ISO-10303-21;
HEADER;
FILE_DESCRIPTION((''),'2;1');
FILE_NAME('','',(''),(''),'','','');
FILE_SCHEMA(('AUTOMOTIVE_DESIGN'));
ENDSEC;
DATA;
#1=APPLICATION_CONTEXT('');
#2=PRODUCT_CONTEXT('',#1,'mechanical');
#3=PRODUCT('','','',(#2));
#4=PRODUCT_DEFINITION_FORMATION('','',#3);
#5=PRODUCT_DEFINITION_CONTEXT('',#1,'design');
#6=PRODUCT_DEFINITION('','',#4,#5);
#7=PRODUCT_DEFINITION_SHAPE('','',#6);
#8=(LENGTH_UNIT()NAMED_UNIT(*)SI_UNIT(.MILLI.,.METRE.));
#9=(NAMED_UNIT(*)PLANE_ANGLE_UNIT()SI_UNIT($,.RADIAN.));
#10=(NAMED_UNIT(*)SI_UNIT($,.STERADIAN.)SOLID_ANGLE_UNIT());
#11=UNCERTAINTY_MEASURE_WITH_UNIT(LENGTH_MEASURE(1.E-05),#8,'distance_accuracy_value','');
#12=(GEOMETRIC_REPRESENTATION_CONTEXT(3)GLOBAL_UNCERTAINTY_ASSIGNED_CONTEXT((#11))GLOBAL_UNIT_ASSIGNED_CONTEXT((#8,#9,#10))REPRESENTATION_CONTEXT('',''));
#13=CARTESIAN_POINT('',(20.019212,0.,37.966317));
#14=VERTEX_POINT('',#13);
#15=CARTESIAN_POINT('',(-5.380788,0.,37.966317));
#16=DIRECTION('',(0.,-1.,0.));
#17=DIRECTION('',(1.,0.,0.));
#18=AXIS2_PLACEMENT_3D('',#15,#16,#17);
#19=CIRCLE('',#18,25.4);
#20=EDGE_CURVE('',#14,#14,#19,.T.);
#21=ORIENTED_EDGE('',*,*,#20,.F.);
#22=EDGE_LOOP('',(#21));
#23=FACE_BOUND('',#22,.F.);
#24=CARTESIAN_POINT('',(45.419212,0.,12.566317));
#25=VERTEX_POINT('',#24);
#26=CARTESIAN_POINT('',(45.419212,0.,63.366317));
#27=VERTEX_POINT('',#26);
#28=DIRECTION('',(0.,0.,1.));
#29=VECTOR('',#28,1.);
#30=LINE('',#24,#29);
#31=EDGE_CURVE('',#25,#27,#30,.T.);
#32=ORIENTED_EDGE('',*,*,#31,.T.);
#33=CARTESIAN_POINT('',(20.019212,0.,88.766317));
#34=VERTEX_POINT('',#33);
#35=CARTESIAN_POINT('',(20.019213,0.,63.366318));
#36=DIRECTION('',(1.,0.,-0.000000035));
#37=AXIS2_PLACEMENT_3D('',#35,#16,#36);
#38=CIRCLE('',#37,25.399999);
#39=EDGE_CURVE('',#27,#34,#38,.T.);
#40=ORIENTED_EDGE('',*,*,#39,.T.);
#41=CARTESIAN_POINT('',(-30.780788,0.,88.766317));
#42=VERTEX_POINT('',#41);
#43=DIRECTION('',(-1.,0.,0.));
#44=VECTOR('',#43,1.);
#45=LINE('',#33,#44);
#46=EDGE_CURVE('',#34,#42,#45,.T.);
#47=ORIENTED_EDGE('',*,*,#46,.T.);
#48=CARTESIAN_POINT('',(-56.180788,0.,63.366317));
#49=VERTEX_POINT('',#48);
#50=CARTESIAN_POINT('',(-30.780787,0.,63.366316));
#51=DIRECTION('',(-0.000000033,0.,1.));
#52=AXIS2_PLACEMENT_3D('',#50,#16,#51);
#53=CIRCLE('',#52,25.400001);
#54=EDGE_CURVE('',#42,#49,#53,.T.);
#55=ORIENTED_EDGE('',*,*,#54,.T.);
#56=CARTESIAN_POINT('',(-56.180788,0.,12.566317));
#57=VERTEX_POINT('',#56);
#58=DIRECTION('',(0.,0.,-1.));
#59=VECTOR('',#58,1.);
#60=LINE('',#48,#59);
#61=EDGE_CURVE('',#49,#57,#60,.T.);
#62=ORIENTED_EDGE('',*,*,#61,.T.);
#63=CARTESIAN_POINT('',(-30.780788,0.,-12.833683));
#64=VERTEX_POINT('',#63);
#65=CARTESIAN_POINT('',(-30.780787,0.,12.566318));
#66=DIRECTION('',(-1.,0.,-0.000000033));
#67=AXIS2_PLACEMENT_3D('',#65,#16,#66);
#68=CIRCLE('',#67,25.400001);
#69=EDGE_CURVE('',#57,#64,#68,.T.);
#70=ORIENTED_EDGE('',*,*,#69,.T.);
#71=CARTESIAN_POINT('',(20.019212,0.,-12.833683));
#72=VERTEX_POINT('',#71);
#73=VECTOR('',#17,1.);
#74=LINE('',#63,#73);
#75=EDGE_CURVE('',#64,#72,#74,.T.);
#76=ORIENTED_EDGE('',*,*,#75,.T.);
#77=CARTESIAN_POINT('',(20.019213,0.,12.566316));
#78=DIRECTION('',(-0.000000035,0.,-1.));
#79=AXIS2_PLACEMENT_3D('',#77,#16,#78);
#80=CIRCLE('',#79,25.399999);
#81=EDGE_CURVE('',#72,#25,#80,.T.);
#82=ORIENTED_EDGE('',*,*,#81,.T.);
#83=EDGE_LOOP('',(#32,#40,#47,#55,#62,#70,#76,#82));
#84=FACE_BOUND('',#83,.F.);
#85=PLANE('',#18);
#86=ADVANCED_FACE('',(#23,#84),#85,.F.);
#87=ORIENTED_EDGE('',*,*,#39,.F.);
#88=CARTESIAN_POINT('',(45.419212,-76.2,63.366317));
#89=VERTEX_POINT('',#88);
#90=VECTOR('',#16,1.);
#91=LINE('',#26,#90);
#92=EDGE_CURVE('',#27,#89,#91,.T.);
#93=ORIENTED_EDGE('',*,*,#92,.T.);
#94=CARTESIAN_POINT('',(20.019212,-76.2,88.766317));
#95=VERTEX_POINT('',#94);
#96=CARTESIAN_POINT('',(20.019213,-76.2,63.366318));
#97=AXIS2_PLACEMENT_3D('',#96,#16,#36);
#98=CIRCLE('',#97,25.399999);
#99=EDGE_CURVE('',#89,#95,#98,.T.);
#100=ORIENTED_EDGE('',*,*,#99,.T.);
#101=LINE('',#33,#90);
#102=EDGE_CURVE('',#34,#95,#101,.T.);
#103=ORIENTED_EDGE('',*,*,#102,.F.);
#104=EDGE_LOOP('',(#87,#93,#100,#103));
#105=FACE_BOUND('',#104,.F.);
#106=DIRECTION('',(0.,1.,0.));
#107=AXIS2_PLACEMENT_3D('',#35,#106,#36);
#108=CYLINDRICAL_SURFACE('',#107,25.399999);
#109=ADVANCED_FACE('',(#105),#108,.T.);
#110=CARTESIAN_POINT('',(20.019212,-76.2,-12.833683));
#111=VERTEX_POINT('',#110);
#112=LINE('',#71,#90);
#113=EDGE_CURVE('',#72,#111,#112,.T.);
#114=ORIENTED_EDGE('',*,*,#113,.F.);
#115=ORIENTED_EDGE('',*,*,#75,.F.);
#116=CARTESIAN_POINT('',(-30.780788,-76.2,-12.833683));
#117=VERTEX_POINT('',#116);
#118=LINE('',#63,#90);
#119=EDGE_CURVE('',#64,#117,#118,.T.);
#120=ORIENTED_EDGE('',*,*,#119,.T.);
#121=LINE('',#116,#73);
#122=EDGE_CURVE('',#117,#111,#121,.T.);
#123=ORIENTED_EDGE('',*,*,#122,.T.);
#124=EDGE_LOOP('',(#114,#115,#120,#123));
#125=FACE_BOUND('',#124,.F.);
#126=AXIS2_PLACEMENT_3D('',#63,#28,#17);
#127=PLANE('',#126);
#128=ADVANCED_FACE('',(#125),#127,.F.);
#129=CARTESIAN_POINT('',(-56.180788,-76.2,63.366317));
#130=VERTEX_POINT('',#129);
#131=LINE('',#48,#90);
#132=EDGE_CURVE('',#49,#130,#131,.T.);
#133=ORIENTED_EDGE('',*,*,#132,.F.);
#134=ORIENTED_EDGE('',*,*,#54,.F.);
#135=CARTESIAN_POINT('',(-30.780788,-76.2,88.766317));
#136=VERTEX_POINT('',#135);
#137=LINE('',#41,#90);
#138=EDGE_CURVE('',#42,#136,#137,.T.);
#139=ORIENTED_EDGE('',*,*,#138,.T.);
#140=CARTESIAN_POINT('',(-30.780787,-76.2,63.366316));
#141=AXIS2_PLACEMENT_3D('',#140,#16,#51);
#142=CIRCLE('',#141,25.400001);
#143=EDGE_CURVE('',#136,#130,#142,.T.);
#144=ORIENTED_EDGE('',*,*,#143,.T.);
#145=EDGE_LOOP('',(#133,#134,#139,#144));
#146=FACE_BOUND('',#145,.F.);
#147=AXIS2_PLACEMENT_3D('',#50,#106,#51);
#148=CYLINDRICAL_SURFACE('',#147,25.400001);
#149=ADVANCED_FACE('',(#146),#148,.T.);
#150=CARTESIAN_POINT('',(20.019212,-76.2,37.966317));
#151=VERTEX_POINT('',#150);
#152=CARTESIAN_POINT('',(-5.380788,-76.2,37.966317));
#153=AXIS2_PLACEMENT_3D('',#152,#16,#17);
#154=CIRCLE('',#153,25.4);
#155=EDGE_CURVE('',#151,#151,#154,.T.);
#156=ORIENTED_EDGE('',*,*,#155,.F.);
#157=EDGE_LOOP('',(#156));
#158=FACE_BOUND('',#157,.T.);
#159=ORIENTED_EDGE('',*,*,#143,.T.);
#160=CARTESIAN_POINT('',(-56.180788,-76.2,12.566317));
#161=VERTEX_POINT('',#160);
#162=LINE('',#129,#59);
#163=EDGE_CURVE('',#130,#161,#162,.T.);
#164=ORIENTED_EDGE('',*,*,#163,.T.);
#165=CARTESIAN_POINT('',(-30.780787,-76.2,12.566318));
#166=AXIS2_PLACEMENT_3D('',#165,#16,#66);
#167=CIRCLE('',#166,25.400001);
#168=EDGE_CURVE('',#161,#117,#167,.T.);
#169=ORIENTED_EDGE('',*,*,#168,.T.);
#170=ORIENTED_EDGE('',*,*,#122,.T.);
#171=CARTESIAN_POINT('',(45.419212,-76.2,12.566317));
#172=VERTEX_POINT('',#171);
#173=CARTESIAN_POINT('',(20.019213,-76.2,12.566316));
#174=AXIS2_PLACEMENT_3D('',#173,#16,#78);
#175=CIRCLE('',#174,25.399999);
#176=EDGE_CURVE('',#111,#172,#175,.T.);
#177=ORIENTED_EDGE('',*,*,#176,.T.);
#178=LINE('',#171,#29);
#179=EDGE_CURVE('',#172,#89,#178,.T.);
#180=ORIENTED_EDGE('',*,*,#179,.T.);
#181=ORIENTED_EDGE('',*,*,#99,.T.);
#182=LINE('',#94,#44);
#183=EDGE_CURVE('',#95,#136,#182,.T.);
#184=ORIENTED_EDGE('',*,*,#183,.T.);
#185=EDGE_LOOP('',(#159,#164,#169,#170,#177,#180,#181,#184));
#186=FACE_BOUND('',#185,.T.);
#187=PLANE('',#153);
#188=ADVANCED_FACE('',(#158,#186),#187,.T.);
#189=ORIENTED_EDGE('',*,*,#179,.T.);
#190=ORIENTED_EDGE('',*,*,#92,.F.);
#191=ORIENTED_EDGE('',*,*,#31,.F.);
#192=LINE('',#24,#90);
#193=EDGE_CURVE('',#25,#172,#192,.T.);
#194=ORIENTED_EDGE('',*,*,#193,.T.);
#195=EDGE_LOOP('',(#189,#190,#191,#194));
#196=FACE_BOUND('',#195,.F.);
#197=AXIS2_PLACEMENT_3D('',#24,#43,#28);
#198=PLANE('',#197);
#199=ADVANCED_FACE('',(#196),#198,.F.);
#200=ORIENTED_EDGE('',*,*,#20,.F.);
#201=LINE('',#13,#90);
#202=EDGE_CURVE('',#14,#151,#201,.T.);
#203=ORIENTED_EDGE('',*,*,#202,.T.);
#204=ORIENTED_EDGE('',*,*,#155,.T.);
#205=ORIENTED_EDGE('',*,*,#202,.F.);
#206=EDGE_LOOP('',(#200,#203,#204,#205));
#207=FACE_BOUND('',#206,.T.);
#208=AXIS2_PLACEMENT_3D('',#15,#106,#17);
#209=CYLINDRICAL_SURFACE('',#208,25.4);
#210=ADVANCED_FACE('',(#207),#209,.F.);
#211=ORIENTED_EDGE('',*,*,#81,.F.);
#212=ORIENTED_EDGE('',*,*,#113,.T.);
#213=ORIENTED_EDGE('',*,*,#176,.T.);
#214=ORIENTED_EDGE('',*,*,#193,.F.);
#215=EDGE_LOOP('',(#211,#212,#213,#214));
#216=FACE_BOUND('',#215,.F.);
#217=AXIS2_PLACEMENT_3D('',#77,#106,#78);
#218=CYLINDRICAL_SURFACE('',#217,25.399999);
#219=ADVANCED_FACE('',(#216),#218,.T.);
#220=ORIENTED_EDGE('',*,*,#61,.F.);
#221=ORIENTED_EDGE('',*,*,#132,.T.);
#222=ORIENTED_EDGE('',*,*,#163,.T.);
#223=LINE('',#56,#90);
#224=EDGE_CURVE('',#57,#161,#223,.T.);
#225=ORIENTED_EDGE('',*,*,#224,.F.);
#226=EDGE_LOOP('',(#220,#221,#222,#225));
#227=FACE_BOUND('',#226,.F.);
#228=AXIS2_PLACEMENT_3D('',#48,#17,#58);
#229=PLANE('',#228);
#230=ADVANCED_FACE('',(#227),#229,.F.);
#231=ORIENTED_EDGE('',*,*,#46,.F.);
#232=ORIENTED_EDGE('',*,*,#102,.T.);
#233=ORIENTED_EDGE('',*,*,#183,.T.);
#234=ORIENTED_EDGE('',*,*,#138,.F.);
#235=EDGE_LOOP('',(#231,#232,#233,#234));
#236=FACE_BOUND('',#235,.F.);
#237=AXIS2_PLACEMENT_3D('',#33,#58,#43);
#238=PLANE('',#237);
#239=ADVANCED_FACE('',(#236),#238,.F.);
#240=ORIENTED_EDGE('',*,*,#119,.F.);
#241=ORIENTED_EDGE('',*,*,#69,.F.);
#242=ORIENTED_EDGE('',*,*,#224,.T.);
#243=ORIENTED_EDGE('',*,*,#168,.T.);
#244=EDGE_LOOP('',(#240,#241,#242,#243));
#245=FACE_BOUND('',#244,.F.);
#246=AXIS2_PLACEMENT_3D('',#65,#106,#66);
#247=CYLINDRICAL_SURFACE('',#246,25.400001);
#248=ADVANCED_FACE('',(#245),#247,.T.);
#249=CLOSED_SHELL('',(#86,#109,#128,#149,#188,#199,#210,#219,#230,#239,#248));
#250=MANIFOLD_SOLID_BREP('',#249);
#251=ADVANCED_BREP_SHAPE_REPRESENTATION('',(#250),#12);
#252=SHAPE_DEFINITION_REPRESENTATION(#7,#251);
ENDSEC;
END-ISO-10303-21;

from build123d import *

# Parameters (mm, degrees)
F0_R     = 25.4
F1_DEPTH = 76.2


with BuildPart() as f1:
    # F0 (on Front) → F1 (new body)
    with BuildSketch(Plane.XZ):
        with BuildLine():
            Line((20.019212, 88.766317), (-30.780788, 88.766317))
            ThreePointArc((-30.780788, 88.766317), (-48.7413, 81.326829), (-56.180788, 63.366317))
            Line((-56.180788, 63.366317), (-56.180788, 12.566317))
            ThreePointArc((-56.180788, 12.566317), (-48.7413, -5.394195), (-30.780788, -12.833683))
            Line((-30.780788, -12.833683), (20.019212, -12.833683))
            ThreePointArc((20.019212, -12.833683), (37.979725, -5.394195), (45.419212, 12.566317))
            Line((45.419212, 12.566317), (45.419212, 63.366317))
            ThreePointArc((45.419212, 63.366317), (37.979725, 81.326829), (20.019212, 88.766317))
        make_face()
        with Locations((-5.380788, 37.966317)):
            Circle(F0_R, mode=Mode.SUBTRACT)
    extrude(amount=F1_DEPTH)


solid = f1.part
